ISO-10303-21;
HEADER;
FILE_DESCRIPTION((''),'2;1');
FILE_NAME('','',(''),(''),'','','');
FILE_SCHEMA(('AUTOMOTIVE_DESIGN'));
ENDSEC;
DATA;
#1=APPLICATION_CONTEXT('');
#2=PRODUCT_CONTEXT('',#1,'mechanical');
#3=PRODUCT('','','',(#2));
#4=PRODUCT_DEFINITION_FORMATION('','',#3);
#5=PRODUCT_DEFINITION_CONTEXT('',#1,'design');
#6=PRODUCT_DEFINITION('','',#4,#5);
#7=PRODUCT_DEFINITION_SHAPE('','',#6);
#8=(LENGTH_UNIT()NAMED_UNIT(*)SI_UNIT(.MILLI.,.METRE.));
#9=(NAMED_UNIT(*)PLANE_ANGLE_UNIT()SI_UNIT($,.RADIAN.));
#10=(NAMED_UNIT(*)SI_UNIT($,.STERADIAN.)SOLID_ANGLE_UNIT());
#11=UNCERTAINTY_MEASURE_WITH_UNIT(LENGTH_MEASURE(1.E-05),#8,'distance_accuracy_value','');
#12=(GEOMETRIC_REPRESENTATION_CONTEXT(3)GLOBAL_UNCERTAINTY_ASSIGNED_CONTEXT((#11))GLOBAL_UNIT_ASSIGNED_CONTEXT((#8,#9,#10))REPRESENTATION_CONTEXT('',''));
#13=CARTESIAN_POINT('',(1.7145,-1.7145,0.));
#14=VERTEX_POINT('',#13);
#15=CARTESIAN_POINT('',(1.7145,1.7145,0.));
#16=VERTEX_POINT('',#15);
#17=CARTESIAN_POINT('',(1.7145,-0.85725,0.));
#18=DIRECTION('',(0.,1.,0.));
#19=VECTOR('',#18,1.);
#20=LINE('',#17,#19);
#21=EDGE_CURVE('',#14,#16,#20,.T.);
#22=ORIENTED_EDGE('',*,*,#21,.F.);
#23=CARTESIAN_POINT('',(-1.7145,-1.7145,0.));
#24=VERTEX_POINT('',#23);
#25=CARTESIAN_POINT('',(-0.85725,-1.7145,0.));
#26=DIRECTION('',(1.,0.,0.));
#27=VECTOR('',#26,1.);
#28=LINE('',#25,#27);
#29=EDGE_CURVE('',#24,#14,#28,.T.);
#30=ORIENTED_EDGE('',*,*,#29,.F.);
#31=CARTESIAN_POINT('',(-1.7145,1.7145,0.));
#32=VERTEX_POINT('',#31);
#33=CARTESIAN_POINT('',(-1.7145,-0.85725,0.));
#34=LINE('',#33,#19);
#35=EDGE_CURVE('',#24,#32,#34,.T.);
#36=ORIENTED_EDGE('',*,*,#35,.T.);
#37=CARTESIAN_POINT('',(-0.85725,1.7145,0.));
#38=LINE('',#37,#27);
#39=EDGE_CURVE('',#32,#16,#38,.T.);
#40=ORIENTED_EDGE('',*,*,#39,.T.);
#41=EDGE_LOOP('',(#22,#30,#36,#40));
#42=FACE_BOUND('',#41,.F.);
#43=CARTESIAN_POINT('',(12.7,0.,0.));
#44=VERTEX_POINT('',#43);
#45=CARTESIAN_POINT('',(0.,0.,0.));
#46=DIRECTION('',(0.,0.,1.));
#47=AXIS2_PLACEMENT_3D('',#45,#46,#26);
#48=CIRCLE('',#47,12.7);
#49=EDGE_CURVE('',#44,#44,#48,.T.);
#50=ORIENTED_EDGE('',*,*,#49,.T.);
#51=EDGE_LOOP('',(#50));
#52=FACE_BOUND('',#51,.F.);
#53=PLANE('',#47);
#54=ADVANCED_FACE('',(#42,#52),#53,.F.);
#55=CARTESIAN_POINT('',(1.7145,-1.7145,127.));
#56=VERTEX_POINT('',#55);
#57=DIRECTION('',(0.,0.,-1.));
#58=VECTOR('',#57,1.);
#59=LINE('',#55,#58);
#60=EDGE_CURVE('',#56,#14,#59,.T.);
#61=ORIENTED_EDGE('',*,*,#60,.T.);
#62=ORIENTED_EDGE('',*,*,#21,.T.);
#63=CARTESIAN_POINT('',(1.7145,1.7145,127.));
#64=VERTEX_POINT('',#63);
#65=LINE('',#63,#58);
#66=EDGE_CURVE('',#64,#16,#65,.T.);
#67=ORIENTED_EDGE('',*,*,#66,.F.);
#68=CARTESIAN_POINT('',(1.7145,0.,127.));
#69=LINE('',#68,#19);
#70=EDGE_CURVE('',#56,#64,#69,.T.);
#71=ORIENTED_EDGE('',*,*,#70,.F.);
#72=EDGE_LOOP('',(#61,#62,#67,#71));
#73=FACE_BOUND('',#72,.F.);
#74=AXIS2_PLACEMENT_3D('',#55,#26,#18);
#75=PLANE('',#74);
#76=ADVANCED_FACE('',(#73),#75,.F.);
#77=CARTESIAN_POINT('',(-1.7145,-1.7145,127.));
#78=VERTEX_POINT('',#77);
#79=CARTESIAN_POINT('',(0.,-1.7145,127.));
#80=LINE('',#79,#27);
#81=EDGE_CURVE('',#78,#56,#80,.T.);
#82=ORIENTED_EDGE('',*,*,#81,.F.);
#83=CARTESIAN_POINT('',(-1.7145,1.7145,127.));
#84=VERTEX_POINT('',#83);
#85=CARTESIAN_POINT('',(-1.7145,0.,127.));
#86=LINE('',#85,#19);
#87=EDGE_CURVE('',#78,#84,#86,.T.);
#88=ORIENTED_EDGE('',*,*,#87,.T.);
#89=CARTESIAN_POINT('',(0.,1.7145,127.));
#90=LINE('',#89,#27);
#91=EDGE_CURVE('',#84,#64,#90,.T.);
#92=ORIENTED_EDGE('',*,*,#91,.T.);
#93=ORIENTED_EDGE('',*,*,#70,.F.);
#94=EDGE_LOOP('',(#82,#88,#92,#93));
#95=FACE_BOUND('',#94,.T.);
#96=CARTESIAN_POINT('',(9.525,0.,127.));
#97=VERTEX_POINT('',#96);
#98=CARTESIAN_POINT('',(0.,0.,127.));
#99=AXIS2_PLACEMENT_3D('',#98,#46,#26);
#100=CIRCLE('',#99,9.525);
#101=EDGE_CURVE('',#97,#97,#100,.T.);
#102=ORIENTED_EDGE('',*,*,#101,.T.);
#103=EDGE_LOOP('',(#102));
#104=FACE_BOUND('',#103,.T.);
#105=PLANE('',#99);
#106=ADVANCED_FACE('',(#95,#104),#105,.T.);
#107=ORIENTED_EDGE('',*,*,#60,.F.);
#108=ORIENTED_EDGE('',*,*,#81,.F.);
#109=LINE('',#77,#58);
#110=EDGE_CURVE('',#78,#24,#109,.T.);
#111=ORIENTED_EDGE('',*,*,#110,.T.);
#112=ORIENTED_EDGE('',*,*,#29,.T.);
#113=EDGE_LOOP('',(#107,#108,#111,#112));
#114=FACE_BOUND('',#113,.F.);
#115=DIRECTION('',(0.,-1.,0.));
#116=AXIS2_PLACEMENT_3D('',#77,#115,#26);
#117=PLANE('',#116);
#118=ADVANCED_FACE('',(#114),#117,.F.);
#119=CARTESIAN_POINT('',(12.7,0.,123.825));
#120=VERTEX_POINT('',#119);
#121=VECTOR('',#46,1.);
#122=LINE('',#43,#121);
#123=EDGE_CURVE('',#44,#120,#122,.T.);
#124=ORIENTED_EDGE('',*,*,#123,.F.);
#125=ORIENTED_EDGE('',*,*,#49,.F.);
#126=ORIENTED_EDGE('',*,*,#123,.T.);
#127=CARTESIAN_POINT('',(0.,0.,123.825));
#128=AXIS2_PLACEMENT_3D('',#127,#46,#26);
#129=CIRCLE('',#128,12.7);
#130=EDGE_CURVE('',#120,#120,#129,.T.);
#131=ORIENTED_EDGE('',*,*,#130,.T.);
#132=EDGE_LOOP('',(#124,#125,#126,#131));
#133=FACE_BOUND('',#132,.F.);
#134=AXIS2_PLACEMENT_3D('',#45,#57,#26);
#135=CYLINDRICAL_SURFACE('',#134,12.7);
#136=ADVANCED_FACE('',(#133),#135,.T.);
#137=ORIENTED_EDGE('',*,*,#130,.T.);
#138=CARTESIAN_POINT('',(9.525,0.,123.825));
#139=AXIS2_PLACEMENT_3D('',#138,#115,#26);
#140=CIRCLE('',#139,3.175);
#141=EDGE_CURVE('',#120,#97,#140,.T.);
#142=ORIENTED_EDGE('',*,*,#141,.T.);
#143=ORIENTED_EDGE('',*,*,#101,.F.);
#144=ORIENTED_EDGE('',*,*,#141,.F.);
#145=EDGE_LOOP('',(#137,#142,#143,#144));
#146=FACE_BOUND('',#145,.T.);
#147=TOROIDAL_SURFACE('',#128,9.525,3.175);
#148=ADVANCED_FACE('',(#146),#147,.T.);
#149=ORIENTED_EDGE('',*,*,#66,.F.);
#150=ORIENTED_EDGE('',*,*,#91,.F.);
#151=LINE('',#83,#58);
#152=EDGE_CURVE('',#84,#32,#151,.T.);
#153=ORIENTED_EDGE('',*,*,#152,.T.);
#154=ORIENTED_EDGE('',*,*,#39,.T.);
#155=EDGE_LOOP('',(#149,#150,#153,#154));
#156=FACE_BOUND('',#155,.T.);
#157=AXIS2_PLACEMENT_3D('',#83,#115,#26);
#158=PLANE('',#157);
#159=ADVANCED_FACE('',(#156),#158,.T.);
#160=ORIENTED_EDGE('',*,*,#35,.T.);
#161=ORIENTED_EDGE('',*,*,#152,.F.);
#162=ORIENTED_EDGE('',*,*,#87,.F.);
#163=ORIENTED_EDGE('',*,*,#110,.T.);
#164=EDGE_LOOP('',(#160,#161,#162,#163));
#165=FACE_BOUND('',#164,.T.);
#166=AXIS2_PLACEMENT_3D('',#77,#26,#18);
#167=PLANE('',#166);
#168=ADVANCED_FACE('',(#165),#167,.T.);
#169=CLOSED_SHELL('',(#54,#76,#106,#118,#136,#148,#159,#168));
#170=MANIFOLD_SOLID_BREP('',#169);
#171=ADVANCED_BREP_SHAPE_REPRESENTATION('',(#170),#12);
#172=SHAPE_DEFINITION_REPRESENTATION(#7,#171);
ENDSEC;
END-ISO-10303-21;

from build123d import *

# Parameters (mm, degrees)
F0_R     = 12.7
F1_DEPTH = 127
F2_R     = 3.175
F3_W     = 3.429
F3_H     = 3.429
F4_DEPTH = 127.001


with BuildPart() as f1:
    # F0 (on Top) → F1 (new body)
    with BuildSketch(Plane.XY):
        Circle(F0_R)
    extrude(amount=F1_DEPTH)

    # F2
    f2_edges = [f1.edges().sort_by_distance(p)[0] for p in [
        (-12.7, 0, 127),
    ]]
    fillet(f2_edges, radius=F2_R)

    # F3 (on face) → F4 (cut, through all)
    with BuildSketch(Plane.XY.offset(127)):
        Rectangle(F3_W, F3_H)
    extrude(amount=-F4_DEPTH, mode=Mode.SUBTRACT)


solid = f1.part
